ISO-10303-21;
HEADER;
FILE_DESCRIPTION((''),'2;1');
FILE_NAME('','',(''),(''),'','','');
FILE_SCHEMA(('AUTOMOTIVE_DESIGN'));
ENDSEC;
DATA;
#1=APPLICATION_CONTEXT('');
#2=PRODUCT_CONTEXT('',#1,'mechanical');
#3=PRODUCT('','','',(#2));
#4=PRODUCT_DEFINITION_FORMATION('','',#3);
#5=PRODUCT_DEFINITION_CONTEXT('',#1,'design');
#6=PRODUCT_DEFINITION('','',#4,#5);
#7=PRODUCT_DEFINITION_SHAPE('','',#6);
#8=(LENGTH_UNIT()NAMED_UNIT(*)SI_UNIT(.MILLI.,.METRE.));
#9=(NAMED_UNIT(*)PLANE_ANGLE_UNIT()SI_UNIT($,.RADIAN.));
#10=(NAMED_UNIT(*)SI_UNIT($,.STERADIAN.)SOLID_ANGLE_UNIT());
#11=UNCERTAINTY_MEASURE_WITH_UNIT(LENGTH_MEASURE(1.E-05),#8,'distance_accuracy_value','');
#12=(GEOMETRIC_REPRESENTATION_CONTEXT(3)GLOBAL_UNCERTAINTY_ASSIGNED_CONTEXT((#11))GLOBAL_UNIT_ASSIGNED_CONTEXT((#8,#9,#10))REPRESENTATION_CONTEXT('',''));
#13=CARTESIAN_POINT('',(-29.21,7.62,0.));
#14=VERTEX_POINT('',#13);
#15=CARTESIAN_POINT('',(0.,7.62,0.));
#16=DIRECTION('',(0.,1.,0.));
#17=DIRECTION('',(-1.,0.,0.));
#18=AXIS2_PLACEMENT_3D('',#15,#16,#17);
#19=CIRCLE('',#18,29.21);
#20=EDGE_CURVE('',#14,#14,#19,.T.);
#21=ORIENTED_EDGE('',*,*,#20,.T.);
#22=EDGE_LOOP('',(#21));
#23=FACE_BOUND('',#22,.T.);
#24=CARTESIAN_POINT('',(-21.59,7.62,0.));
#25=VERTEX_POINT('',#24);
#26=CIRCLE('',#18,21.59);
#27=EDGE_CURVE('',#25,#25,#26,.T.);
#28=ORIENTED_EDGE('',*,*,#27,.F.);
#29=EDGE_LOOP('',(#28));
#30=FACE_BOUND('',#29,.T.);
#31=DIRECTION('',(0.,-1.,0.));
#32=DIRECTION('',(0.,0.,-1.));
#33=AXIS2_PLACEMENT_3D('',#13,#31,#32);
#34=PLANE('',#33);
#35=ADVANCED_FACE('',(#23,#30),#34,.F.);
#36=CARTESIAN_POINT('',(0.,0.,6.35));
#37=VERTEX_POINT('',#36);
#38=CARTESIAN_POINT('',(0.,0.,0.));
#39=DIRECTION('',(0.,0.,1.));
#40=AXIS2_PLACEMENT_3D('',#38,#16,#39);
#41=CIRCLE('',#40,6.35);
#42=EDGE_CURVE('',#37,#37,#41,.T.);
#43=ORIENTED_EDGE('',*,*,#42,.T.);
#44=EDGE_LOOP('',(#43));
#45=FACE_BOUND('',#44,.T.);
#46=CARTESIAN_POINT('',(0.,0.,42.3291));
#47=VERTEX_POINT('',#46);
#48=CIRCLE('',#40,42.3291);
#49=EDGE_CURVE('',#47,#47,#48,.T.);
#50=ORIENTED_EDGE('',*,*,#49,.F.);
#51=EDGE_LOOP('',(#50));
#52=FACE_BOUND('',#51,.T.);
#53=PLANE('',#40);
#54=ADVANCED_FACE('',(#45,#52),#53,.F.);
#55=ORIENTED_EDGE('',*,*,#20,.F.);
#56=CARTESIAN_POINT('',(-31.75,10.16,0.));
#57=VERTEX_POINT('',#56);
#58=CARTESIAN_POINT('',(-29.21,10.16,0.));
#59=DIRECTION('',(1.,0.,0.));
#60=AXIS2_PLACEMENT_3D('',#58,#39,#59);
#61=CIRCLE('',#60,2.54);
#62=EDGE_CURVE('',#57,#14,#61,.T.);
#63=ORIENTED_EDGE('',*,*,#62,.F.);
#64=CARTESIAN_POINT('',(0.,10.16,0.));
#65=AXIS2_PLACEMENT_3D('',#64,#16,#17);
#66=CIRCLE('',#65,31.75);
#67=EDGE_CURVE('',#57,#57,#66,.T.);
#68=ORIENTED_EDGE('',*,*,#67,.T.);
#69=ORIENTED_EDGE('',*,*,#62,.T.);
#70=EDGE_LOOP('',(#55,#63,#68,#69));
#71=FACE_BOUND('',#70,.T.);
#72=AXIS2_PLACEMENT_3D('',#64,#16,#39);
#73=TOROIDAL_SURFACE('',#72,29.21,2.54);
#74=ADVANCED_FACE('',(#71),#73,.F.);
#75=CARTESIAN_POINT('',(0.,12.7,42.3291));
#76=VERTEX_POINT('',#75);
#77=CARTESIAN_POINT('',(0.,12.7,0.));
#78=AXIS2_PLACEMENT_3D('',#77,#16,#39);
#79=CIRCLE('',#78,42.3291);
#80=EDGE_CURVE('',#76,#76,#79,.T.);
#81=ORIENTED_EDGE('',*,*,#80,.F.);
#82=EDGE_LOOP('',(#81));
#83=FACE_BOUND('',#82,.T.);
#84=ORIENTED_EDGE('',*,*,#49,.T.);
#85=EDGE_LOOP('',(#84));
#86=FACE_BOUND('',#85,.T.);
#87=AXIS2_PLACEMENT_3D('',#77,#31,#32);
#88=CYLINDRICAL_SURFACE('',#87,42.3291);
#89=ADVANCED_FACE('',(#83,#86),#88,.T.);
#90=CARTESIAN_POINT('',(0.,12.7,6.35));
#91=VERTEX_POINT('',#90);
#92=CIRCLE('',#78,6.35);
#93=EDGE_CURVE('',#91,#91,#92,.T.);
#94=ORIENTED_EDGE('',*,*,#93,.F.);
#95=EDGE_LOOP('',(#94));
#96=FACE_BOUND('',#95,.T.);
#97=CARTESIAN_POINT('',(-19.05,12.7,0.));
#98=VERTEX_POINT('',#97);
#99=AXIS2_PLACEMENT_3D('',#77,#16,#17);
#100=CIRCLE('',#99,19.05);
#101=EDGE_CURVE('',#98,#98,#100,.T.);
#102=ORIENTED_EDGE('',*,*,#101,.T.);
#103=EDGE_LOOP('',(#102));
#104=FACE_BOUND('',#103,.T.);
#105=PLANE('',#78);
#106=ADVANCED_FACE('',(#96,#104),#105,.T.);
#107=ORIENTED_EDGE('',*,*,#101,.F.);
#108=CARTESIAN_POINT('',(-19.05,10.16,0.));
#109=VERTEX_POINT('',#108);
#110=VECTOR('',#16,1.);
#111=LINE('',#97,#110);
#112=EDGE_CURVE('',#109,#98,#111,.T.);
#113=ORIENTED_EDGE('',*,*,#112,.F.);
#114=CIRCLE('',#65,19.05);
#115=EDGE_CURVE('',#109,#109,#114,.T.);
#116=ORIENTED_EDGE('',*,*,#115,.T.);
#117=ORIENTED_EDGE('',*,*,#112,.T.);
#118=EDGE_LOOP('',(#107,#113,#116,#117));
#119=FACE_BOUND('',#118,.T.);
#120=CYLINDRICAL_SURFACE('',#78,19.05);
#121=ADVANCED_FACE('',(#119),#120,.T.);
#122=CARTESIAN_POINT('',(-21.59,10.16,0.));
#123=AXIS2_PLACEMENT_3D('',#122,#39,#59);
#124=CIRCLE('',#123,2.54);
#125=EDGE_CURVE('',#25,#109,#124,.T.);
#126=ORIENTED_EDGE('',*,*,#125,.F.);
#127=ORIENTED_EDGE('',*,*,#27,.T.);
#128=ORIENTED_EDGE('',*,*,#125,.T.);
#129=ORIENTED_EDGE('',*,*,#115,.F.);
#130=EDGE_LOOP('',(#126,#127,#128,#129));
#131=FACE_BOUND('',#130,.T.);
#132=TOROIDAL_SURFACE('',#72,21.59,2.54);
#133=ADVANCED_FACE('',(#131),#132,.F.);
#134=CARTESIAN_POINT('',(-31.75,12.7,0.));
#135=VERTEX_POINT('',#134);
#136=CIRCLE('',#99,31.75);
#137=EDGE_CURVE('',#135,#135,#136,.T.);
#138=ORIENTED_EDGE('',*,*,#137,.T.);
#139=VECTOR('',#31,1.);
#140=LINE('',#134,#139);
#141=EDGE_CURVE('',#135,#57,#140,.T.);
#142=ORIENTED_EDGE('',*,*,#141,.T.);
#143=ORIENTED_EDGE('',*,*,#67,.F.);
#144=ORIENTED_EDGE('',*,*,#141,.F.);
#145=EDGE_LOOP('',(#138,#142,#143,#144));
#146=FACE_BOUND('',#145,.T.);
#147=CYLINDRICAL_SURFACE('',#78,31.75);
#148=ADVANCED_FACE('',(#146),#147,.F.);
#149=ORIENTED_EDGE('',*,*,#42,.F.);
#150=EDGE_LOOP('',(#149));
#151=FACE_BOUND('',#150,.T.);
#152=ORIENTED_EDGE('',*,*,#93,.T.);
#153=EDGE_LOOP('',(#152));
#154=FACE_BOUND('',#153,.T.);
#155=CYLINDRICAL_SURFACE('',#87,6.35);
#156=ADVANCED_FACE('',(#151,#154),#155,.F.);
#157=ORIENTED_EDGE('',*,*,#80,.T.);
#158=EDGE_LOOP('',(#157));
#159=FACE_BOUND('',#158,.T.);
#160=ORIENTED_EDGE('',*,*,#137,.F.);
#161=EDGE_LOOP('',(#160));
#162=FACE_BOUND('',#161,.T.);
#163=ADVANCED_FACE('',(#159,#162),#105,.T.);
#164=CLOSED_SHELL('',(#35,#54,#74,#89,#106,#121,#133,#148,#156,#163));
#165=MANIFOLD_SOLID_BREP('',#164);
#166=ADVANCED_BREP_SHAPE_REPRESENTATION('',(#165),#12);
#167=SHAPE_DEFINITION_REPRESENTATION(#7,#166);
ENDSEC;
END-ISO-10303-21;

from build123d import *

# Parameters (mm, degrees)
SKETCH1_R           = 42.3291
SKETCH1_R_2         = 6.35
BOSS_EXTRUDE1_DEPTH = 12.7


with BuildPart() as part:
    # Sketch1 → Boss-Extrude1 (new body)
    with BuildSketch(Plane(origin=(0, 0, 0), x_dir=(1, 0, 0), z_dir=(0, 1, 0))):
        Circle(SKETCH1_R)
        Circle(SKETCH1_R_2, mode=Mode.SUBTRACT)
    extrude(amount=BOSS_EXTRUDE1_DEPTH)

    # Cut-Sweep5: sweep along a path in Sketch3
    with BuildLine(Plane(origin=(0, 12.7, 0), x_dir=(1, 0, 0), z_dir=(0, 1, 0))) as cut_sweep5_path:
        CenterArc((0, 0), 25.4, 0, 360)
    # Sketch4 → Cut-Sweep5 (sweep, cut)
    with BuildSketch(Plane.XY):
        with BuildLine():
            Line((-31.75, 12.7), (-19.05, 12.7))
            Line((-19.05, 12.7), (-19.05, 10.16))
            ThreePointArc((-19.05, 10.16), (-19.793948776, 8.363948776), (-21.59, 7.62))
            Line((-21.59, 7.62), (-29.21, 7.62))
            ThreePointArc((-29.21, 7.62), (-31.006051224, 8.363948776), (-31.75, 10.16))
            Line((-31.75, 10.16), (-31.75, 12.7))
        make_face()
    sweep(path=cut_sweep5_path.line, mode=Mode.SUBTRACT)


solid = part.part
